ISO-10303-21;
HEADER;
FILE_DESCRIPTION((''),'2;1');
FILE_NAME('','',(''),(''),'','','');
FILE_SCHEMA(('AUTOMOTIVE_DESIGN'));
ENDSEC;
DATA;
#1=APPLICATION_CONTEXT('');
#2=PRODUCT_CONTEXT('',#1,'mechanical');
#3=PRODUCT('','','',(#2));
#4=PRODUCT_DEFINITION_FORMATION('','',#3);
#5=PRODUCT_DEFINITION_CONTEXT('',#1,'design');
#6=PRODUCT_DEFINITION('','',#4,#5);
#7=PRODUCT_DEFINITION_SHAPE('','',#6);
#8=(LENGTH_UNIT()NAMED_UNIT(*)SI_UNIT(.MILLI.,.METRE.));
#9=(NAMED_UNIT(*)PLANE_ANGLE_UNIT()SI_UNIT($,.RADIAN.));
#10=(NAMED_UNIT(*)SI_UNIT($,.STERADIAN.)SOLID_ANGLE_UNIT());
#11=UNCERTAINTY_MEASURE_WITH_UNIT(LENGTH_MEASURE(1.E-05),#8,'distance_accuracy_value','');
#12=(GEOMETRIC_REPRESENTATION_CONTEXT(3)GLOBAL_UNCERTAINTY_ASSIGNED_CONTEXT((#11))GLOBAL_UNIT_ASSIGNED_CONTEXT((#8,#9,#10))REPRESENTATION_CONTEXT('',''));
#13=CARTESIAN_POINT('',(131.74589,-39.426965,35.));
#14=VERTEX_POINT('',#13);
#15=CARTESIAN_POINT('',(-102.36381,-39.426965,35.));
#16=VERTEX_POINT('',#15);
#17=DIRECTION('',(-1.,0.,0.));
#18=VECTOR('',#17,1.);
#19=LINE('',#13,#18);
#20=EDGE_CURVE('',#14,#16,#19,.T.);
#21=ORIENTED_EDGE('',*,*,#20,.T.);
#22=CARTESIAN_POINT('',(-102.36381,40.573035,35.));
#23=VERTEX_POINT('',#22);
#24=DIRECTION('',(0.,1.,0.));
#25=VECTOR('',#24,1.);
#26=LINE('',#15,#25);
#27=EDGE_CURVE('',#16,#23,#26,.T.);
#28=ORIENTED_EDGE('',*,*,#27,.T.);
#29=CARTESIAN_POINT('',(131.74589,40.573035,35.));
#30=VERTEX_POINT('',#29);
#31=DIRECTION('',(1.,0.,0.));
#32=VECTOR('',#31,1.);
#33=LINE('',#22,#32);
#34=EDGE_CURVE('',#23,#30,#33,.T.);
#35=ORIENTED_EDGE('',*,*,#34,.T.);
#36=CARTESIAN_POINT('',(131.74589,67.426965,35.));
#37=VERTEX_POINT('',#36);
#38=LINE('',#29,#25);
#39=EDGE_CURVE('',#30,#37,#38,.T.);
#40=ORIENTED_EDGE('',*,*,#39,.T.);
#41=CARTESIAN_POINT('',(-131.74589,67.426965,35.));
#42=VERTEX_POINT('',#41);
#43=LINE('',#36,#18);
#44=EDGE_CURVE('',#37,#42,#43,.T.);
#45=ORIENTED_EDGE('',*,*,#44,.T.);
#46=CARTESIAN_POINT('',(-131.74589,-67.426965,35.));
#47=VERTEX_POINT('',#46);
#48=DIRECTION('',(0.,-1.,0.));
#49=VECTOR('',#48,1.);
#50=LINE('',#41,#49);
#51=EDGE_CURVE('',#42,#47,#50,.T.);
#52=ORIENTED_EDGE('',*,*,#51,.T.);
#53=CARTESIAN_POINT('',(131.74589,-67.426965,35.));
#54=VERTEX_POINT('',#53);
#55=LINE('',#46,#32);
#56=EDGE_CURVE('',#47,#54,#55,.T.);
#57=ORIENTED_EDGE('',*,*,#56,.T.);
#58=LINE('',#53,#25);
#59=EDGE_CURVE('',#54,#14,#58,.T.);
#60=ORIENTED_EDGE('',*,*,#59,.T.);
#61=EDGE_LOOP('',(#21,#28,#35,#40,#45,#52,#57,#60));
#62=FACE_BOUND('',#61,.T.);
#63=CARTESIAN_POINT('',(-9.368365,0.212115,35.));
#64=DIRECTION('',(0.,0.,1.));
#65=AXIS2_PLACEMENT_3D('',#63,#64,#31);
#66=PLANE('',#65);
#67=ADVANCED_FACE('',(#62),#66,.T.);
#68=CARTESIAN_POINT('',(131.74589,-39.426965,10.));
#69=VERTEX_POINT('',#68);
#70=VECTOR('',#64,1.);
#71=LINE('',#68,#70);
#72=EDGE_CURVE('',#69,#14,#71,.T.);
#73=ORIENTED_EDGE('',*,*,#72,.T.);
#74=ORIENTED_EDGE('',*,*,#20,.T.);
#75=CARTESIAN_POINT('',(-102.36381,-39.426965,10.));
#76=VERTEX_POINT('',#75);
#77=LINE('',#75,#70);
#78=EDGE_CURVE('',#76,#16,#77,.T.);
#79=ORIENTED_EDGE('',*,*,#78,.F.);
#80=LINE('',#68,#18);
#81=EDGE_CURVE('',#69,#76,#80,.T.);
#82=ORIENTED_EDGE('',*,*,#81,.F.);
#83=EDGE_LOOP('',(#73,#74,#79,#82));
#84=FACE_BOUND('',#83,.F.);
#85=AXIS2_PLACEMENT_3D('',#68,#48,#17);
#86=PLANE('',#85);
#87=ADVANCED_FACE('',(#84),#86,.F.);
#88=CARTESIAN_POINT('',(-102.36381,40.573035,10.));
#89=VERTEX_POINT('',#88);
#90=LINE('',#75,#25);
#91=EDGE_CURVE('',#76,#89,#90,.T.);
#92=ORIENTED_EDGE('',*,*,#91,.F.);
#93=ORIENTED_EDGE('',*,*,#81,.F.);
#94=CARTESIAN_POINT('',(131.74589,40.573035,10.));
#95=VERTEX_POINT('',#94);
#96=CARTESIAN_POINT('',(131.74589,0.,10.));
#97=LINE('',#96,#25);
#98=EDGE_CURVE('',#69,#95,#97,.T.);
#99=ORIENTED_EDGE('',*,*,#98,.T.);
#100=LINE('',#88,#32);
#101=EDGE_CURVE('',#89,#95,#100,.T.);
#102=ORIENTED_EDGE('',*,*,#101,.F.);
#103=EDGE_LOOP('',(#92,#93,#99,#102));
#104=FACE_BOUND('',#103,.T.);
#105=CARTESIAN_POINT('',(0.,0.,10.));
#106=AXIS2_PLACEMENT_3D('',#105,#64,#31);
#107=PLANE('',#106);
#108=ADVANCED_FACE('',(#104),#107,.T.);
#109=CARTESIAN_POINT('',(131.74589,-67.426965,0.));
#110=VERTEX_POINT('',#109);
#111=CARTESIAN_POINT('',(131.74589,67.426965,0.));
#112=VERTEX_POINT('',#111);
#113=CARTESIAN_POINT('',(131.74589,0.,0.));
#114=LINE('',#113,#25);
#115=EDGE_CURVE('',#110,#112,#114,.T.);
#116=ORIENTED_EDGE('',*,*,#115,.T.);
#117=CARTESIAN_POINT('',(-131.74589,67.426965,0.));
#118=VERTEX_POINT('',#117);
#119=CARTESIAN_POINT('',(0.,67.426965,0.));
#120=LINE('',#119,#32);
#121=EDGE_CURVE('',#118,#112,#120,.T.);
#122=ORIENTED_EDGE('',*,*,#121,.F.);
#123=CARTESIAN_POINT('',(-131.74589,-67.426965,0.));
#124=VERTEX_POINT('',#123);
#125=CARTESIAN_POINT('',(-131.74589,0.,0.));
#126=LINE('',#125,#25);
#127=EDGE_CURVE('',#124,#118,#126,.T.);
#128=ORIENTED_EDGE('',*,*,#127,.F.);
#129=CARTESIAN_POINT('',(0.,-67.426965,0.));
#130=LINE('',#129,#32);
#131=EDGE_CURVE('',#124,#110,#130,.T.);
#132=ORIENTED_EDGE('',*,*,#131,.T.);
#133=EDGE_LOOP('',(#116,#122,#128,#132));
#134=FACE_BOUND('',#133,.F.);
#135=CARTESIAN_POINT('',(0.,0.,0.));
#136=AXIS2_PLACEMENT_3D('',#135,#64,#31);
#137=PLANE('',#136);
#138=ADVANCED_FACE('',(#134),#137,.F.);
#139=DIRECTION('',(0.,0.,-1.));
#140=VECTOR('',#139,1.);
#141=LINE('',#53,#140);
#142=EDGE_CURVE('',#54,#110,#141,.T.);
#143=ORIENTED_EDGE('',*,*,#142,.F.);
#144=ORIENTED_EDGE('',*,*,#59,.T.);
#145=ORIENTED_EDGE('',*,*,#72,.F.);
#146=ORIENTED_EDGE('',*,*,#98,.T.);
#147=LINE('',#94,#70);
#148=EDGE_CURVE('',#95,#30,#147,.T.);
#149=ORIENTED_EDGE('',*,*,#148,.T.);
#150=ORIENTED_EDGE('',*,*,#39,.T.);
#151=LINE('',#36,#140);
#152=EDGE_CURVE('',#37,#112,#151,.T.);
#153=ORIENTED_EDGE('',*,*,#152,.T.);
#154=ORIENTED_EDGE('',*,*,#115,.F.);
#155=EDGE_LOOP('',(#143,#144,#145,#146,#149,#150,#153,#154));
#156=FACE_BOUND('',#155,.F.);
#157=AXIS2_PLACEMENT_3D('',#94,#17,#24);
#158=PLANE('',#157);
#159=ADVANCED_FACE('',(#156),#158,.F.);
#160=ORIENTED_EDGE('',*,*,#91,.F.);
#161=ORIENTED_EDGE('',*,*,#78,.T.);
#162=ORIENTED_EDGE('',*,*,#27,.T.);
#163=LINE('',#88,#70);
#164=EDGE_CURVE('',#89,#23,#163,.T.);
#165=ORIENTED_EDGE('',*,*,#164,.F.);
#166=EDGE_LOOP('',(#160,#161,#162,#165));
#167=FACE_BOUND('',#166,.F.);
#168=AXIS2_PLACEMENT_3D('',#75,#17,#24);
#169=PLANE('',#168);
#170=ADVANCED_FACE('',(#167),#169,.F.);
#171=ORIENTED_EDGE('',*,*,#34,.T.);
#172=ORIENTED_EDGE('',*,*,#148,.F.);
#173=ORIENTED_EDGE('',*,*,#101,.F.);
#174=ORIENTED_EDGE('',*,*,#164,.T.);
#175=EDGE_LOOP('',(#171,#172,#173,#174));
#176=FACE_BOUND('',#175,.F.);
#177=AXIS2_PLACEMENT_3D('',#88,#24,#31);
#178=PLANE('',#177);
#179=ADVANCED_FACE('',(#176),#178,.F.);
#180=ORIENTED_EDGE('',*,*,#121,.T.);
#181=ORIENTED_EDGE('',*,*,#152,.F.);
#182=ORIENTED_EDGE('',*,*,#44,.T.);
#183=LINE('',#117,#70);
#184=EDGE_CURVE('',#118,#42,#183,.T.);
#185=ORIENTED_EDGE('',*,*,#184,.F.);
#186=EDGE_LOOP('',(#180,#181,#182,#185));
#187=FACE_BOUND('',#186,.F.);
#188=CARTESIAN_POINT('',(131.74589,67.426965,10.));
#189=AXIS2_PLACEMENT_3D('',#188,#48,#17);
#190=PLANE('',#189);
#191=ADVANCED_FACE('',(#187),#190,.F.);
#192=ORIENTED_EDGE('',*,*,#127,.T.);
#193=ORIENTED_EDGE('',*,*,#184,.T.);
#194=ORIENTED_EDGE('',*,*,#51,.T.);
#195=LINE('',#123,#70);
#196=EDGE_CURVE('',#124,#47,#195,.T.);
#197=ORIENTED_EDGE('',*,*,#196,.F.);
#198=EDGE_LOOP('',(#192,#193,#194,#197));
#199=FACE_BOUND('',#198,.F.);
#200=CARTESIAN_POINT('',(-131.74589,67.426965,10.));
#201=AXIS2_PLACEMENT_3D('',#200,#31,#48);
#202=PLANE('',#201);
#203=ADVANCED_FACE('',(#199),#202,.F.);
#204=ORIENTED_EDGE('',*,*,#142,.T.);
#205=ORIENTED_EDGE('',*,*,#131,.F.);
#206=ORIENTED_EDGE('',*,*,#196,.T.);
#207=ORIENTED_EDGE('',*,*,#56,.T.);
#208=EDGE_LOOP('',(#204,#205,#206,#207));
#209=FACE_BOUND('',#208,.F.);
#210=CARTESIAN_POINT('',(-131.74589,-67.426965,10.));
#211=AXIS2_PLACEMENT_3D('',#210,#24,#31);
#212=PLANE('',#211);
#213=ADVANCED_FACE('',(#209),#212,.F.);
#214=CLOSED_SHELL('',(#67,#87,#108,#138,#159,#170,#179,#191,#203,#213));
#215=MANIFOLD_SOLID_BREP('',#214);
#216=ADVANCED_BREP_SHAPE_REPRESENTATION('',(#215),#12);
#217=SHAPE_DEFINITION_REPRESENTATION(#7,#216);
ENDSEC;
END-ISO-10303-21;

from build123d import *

# Parameters (mm, degrees)
F0_W     = 263.49178
F0_H     = 134.85393
F1_DEPTH = 10
F3_DEPTH = 25


with BuildPart() as f1:
    # F0 (on Top) → F1 (new body)
    with BuildSketch(Plane.XY):
        Rectangle(F0_W, F0_H)
    extrude(amount=F1_DEPTH)

    # F2 (on face) → F3 (join)
    with BuildSketch(Plane.XY.offset(10)):
        Polygon((131.74589, 67.426965), (-131.74589, 67.426965), (-131.74589, -67.426965), (131.74589, -67.426965), (131.74589, -39.426965), (-102.36381, -39.426965), (-102.36381, 40.573035), (131.74589, 40.573035), align=None)
    extrude(amount=F3_DEPTH)


solid = f1.part
